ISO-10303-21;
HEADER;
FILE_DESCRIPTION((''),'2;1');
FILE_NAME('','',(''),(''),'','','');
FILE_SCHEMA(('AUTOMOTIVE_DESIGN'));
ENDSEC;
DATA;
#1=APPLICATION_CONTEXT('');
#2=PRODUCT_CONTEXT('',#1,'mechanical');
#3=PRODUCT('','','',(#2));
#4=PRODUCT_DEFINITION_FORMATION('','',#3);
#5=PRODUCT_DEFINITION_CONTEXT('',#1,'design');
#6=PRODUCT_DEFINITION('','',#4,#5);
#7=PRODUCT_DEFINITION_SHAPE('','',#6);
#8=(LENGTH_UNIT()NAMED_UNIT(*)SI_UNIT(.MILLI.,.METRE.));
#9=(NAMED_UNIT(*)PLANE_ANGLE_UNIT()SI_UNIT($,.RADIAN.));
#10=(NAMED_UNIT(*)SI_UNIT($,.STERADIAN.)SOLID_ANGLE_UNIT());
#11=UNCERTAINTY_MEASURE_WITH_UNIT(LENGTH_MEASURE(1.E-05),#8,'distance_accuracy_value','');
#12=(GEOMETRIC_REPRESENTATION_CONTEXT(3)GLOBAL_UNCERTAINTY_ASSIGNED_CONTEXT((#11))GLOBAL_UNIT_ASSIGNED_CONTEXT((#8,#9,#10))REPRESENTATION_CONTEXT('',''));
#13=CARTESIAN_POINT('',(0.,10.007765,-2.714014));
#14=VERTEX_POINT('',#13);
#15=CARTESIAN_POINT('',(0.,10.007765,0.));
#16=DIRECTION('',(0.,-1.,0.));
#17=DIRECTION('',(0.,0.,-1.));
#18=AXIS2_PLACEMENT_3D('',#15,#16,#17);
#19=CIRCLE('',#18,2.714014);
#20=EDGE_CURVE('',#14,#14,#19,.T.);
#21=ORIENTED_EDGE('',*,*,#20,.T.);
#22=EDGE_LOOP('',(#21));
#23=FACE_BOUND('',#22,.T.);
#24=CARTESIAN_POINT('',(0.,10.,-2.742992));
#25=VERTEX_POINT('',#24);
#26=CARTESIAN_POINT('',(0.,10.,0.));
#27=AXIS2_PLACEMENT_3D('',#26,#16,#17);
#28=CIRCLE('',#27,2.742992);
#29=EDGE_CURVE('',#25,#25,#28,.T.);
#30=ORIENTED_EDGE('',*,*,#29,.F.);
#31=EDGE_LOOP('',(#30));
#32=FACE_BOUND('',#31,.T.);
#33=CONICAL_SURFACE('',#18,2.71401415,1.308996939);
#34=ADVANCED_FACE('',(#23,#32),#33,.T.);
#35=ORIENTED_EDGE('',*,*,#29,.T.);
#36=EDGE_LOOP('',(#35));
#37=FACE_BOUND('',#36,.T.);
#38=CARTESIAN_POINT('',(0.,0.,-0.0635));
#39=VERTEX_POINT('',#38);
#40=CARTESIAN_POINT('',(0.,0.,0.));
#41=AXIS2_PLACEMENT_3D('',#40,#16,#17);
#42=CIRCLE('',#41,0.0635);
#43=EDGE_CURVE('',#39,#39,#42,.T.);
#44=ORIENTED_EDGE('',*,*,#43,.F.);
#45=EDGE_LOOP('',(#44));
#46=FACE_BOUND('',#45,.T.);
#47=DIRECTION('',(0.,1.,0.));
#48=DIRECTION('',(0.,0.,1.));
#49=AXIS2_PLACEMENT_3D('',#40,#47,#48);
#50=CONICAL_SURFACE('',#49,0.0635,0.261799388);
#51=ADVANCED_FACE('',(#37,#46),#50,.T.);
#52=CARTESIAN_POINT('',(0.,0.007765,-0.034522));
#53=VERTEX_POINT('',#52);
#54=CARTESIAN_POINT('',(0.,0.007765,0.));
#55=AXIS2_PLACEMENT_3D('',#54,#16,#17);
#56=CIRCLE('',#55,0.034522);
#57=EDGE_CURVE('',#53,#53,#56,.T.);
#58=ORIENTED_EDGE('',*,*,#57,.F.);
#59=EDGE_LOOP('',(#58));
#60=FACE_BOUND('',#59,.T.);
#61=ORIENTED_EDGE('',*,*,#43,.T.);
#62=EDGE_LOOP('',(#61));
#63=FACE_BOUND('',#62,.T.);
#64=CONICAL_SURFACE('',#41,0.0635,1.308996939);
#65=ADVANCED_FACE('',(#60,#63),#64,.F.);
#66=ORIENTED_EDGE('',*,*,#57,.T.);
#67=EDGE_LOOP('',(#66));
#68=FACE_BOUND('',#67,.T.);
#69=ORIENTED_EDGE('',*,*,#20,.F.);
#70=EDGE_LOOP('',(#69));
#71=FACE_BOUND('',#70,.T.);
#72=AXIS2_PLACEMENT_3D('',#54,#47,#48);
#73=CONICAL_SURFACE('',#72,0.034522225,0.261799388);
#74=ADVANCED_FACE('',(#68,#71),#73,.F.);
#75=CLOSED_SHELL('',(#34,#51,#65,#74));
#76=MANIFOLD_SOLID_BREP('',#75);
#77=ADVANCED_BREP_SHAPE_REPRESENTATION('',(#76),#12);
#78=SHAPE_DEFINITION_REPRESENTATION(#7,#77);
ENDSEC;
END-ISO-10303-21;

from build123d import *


with BuildPart() as part:
    # Sketch1 → Revolve-Thin1 (revolve)
    with BuildSketch(Plane.XY):
        Polygon((0.0635, 0), (2.742991924, 10), (2.71401415, 10.007764571), (0.034522225, 0.007764571), align=None)
    revolve(axis=Axis((0, 0, 0), (0, 1, 0)))


solid = part.part
